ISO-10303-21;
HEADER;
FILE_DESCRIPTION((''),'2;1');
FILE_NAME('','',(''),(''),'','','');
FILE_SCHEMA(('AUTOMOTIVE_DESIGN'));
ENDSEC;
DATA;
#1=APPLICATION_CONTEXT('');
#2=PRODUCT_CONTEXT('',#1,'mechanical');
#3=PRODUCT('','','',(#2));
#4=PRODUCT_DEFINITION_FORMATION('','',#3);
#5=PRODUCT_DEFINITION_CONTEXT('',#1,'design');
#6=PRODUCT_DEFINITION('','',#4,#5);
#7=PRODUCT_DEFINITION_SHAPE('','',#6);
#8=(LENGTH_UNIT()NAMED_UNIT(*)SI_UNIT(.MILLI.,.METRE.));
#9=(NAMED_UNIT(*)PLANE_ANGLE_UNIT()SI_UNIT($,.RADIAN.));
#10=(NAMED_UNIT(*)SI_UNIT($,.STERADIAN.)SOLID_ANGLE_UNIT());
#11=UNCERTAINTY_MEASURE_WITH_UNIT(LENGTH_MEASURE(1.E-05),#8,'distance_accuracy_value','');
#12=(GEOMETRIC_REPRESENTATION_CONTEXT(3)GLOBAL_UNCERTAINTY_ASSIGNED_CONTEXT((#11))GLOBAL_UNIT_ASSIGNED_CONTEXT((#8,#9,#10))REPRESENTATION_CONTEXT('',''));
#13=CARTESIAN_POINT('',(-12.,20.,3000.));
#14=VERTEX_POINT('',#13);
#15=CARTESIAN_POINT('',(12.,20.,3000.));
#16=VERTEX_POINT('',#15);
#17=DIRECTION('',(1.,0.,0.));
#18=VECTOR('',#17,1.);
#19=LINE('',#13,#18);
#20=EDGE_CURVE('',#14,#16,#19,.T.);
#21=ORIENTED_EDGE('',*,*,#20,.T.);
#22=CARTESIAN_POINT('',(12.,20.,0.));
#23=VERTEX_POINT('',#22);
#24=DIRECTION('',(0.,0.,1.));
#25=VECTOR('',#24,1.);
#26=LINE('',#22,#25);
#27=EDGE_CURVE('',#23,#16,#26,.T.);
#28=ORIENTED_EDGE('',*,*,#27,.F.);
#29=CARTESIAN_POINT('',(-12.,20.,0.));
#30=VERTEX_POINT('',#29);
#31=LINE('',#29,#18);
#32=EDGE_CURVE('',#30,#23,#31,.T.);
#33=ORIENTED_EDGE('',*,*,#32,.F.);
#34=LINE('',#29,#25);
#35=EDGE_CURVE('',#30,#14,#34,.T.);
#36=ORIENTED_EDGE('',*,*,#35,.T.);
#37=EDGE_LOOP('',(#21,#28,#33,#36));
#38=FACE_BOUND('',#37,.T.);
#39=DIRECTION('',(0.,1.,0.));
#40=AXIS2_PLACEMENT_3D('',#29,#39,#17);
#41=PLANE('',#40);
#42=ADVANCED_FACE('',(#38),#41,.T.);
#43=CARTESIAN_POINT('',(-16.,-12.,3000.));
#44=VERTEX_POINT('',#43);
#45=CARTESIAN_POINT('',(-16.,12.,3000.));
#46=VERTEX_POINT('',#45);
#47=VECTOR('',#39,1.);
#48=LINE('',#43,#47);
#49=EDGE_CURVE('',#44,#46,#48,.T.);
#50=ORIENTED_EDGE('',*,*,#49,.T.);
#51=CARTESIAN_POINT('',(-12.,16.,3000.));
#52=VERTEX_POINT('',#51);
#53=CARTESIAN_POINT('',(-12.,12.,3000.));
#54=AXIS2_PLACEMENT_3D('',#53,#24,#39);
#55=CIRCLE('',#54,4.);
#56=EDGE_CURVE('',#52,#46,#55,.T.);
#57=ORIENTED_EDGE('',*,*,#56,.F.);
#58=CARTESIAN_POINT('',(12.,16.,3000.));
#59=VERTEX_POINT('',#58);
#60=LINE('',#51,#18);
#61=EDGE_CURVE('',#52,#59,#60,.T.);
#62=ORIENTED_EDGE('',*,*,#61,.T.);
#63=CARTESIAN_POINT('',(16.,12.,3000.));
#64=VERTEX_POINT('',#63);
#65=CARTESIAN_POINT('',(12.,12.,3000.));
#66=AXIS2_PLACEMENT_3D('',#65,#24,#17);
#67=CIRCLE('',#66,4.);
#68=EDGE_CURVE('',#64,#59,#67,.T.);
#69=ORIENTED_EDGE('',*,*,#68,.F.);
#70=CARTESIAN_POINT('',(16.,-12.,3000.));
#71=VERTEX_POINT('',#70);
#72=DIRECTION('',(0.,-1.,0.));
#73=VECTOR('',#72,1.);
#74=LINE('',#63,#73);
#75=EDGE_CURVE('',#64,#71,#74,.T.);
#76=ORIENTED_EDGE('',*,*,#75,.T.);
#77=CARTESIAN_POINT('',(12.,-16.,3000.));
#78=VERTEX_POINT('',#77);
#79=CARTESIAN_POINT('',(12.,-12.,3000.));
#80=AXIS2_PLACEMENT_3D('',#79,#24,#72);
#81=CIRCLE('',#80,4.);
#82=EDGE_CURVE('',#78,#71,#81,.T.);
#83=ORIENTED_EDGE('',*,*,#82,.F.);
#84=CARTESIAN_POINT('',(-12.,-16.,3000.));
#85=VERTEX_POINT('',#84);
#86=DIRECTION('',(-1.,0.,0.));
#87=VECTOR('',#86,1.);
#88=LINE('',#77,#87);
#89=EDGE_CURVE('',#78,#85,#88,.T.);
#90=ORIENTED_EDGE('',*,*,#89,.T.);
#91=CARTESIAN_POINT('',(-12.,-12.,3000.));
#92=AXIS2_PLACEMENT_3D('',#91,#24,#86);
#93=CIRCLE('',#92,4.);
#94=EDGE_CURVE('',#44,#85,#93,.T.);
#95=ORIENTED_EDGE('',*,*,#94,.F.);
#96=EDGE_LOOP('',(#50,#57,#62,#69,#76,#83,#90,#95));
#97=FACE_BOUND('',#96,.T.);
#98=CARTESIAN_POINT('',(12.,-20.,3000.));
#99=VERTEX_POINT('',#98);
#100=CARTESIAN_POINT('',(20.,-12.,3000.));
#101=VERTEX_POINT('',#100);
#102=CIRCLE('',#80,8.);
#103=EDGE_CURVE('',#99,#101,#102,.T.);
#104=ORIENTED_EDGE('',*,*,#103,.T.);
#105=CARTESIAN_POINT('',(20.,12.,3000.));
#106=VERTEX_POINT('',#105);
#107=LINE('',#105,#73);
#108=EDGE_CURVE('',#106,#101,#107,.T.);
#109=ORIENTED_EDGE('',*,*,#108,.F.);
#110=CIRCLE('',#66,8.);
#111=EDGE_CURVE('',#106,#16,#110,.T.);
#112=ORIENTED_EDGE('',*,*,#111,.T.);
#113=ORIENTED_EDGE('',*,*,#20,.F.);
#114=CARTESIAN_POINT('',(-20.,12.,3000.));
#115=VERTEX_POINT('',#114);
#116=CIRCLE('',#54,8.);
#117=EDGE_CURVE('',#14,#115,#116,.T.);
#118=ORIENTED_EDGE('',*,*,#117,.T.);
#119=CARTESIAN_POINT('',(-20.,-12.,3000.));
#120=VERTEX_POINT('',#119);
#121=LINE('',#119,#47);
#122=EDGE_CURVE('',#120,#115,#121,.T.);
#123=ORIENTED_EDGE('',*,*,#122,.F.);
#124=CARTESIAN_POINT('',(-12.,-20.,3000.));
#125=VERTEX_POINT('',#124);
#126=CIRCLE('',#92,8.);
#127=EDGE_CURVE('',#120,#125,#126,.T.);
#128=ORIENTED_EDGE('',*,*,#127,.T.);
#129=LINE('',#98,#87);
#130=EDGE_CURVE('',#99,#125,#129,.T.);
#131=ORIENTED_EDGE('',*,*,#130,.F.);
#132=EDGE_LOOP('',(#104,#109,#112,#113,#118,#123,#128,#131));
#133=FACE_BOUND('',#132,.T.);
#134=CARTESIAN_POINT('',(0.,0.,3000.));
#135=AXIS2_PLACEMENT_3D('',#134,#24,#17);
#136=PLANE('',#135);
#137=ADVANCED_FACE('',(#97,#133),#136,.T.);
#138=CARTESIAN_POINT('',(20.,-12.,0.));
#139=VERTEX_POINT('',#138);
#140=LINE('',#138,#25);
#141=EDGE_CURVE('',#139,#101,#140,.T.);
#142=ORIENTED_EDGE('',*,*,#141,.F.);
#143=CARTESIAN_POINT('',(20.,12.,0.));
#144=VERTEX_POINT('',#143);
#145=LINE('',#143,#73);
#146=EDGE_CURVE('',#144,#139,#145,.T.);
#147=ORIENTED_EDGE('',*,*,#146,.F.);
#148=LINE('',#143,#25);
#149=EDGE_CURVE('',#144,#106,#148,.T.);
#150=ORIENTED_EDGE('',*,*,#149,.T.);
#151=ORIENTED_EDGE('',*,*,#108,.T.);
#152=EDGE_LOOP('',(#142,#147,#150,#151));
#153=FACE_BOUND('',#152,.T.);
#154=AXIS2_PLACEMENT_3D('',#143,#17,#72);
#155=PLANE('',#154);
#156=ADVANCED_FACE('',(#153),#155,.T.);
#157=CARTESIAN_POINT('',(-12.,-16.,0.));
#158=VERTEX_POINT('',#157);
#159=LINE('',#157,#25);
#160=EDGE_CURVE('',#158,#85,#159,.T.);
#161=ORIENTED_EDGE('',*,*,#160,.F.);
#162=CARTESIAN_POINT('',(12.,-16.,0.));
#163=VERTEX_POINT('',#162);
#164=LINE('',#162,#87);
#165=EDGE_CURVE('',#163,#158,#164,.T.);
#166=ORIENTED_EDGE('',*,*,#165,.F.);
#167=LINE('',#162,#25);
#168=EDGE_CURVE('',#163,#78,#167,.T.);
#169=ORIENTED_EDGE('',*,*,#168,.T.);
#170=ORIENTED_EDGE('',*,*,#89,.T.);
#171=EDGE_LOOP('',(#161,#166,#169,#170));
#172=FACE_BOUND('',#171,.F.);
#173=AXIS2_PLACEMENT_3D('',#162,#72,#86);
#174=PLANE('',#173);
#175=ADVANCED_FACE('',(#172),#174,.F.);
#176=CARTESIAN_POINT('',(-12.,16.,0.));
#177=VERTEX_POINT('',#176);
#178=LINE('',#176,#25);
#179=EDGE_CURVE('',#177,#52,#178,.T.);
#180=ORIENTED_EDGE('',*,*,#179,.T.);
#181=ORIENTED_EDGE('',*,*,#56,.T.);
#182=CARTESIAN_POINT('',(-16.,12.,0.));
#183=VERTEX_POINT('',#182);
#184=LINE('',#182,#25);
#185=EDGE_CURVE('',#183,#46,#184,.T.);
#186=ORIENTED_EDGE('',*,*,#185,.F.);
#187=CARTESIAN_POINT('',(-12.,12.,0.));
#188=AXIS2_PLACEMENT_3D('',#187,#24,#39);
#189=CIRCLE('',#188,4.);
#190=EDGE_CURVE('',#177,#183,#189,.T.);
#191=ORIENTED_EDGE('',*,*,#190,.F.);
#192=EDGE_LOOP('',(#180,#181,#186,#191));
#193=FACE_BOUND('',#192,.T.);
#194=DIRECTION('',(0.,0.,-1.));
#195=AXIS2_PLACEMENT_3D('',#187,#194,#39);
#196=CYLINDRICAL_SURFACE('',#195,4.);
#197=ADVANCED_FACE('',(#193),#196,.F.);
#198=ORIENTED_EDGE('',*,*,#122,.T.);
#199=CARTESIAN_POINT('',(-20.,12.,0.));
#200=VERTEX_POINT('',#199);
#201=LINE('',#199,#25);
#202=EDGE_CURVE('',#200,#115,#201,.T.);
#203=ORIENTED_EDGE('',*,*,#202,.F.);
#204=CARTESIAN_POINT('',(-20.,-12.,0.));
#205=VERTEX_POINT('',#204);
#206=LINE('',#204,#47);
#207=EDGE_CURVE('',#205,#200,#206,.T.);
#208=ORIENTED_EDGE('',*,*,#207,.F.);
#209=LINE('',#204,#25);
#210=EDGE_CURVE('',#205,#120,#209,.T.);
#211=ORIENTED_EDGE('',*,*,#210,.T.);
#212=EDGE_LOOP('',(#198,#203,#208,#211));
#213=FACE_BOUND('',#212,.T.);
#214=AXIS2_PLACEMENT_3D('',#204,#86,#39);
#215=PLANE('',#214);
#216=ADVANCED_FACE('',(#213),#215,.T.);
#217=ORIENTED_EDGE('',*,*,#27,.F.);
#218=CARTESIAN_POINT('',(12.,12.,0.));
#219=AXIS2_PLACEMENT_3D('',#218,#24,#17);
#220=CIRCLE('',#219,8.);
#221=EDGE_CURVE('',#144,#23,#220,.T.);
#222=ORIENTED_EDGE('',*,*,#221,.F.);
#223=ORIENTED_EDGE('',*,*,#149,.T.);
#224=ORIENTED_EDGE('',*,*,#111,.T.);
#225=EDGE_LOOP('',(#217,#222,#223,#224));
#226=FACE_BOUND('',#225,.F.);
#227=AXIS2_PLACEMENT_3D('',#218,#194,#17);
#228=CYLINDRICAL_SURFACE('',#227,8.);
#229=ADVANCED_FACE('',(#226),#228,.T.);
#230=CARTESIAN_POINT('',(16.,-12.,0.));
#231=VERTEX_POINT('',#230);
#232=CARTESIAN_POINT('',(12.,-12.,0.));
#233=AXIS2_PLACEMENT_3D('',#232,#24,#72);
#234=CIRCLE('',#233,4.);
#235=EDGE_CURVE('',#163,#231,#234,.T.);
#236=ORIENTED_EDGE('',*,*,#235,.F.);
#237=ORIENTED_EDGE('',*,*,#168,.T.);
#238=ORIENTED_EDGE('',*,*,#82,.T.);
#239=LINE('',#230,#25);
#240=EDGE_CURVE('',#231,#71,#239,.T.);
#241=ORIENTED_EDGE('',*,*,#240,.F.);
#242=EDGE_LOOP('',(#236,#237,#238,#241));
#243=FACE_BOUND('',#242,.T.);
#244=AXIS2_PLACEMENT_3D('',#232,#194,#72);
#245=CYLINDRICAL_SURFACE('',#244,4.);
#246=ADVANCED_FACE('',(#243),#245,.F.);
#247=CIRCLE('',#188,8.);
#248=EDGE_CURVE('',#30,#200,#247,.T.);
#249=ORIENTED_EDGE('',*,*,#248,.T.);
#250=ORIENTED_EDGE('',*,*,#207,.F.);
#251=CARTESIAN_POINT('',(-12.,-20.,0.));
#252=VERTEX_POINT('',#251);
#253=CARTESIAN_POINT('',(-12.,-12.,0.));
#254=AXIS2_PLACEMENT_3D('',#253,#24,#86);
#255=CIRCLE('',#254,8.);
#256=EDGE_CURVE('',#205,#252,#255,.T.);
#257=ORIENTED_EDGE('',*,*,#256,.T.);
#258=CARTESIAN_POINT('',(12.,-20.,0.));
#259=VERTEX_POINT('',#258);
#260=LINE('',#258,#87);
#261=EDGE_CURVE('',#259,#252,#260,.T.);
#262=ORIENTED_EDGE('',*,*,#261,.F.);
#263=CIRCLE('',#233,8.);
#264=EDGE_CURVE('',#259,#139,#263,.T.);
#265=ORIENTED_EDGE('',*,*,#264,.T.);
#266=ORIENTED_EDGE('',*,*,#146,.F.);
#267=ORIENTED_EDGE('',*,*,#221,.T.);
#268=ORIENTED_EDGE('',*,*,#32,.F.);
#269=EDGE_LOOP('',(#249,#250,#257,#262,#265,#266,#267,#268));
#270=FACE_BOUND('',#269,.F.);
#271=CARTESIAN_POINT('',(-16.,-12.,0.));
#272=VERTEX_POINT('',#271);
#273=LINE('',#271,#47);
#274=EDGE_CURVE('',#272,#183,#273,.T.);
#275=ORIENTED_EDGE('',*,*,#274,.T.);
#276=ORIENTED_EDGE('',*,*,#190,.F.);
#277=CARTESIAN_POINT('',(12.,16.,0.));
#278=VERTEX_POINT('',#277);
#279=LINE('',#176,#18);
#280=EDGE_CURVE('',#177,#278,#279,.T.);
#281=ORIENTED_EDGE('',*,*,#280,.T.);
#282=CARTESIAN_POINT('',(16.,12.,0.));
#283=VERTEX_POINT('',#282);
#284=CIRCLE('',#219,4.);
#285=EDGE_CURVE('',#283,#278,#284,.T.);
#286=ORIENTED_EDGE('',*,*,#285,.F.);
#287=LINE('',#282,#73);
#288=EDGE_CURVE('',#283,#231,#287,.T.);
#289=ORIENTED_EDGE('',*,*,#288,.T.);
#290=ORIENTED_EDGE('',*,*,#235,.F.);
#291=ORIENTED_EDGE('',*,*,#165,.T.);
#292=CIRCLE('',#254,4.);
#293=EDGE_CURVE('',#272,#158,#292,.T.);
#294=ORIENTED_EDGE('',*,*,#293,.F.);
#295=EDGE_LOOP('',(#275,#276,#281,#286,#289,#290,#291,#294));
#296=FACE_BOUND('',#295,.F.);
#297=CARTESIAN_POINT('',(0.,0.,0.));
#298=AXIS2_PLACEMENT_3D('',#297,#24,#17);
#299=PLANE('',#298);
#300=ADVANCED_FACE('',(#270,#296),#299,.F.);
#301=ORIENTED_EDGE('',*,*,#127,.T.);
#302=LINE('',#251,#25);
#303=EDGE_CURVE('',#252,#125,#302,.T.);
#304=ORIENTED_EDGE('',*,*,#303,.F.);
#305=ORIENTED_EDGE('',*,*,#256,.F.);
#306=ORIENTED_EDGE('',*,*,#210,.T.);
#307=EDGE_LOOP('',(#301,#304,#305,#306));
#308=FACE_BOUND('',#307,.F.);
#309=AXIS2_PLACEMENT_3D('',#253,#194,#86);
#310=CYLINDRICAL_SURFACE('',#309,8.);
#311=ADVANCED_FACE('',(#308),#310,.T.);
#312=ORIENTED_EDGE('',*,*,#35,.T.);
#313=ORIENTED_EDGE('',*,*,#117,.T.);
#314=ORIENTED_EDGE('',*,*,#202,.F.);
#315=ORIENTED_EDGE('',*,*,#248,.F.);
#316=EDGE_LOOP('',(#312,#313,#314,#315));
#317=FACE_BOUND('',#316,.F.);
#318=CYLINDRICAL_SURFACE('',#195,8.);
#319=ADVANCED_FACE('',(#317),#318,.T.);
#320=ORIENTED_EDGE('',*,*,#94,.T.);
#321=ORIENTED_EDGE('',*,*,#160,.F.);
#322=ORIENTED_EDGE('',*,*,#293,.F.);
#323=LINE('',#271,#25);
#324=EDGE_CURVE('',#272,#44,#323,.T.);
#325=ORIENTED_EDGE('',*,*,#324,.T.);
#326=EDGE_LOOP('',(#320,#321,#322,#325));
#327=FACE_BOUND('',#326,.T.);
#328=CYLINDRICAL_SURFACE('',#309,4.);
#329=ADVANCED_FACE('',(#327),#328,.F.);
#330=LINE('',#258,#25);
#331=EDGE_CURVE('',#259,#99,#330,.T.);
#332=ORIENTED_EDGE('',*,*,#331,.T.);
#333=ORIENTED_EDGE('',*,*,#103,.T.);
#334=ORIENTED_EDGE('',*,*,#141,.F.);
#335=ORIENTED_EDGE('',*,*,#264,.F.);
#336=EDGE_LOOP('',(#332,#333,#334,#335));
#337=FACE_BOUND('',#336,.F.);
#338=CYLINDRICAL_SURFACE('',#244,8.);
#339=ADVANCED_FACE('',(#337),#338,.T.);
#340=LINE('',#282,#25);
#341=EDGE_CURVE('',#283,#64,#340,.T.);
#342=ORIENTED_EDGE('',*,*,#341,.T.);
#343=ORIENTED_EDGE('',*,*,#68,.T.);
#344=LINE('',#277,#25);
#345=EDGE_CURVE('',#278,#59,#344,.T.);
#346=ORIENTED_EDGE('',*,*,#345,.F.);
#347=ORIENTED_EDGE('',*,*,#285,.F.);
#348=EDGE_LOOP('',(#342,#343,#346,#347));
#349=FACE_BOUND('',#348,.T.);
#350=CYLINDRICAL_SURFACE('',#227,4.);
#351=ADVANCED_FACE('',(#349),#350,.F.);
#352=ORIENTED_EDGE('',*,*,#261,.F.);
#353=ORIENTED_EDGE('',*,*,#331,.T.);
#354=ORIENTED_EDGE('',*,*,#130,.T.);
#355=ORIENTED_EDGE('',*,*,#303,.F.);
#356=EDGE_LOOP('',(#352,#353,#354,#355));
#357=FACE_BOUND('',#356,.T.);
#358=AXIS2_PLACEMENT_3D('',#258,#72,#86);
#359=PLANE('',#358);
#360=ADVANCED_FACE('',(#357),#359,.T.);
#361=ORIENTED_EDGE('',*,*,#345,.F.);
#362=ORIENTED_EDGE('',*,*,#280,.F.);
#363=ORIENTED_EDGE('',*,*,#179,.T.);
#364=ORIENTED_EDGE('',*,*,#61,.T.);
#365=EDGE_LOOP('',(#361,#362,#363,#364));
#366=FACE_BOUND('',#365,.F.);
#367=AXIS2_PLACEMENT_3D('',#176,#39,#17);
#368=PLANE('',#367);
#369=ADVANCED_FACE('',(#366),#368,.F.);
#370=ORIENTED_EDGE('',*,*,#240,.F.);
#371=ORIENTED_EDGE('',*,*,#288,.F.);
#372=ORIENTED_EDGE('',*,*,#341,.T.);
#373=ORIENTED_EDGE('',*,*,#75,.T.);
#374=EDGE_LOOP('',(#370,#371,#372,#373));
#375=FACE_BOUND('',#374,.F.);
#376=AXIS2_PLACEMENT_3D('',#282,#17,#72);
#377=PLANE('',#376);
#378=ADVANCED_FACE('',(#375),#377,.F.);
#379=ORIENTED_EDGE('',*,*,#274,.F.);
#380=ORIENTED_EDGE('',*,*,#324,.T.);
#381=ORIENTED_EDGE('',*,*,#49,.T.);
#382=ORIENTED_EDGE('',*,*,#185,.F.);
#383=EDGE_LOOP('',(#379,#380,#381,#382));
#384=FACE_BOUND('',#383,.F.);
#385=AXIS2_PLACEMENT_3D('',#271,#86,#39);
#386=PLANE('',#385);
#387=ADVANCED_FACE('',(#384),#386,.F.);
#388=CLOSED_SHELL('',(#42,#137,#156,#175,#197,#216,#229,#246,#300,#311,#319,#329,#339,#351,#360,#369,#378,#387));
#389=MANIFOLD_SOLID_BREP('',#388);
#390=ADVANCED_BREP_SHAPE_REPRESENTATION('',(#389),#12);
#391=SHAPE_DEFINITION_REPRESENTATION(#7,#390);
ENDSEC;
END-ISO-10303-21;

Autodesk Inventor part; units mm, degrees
ref_plane "YZ Plane" through (0, 0, 0) normal (1, 0, 0) x (0, 1, 0)
ref_plane "Start plane" through (0, 0, 0) normal (0, 0, 1) x (1, 0, 0)
ref_plane "End plane" through (0, 0, 3000) normal (0, 0, 1) x (1, 0, 0)
sketch "Sketch" plane through (0, 0, 0) normal (0, 0, 1) x (1, 0, 0)
  line L0 (-20, -12) -> (-20, 12)
  line L1 (-12, 20) -> (12, 20)
  line L2 (20, 12) -> (20, -12)
  line L3 (12, -20) -> (-12, -20)
  arc A0 (-20, -12) -> (-12, -20) centre (-12, -12) ccw
  arc A1 (20, 12) -> (12, 20) centre (12, 12) ccw
  arc A2 (-12, 20) -> (-20, 12) centre (-12, 12) ccw
  arc A3 (12, -20) -> (20, -12) centre (12, -12) ccw
  arc A4 (-12, 16) -> (-16, 12) centre (-12, 12) ccw
  line L4 (-12, 16) -> (12, 16)
  arc A5 (16, 12) -> (12, 16) centre (12, 12) ccw
  line L5 (16, 12) -> (16, -12)
  arc A6 (12, -16) -> (16, -12) centre (12, -12) ccw
  line L6 (12, -16) -> (-12, -16)
  arc A7 (-16, -12) -> (-12, -16) centre (-12, -12) ccw
  line L7 (-16, -12) -> (-16, 12)
  line L8 (0, 30.3196) -> (0, -30.3196) construction
  line L9 (-30.3196, 0) -> (30.3196, 0) construction
  dimension "d7" = 8
  dimension "d9" = 40
  dimension "d11" = 40
  dimension "d12" = 4
  dimension "d15" = 20
  dimension "d16" = 20
extrude "Body" add sketch "Sketch" along normal up to surface (3000 mm away) from surface at 0
sketch "Sketch3" plane through (0, 0, 0) normal (0, 0, 1) x (1, 0, 0)
  line L0 (0, 0) -> (10, 0)
ref_plane "Work Plane3" through (0, 0, 0) normal (0, -1, 0) x (1, 0, 0)
sketch "Sketch4" plane through (0, 0, 0) normal (0, -1, 0) x (1, 0, 0)
  line L0 (-2, 0) -> (12, 0)
  line L1 (-2, 3000) -> (12, 3000)
  dimension "d18" = 3000
equation "\"d7\" = G_IR"
equation "\"d9\" = G_W"
equation "\"d11\" = G_H"
equation "\"d12\" = G_T"
equation "\"d15\" = 0.5 * d9"
equation "\"d16\" = 0.5 * d11"
equation "\"d3\" = G_L"
equation "\"G_W\" = 40"
equation "\"G_H\" = 40"
equation "\"G_T\" = 4"
equation "\"G_IR\" = 8"
equation "\"G_L\" = d18"
equation "\"G_OFFSET_START\" = 0"
equation "\"G_OFFSET_END\" = 0"
properties part number "ISO 10799-2 40x40x4 1744708078713" material "Steel, Mild"
